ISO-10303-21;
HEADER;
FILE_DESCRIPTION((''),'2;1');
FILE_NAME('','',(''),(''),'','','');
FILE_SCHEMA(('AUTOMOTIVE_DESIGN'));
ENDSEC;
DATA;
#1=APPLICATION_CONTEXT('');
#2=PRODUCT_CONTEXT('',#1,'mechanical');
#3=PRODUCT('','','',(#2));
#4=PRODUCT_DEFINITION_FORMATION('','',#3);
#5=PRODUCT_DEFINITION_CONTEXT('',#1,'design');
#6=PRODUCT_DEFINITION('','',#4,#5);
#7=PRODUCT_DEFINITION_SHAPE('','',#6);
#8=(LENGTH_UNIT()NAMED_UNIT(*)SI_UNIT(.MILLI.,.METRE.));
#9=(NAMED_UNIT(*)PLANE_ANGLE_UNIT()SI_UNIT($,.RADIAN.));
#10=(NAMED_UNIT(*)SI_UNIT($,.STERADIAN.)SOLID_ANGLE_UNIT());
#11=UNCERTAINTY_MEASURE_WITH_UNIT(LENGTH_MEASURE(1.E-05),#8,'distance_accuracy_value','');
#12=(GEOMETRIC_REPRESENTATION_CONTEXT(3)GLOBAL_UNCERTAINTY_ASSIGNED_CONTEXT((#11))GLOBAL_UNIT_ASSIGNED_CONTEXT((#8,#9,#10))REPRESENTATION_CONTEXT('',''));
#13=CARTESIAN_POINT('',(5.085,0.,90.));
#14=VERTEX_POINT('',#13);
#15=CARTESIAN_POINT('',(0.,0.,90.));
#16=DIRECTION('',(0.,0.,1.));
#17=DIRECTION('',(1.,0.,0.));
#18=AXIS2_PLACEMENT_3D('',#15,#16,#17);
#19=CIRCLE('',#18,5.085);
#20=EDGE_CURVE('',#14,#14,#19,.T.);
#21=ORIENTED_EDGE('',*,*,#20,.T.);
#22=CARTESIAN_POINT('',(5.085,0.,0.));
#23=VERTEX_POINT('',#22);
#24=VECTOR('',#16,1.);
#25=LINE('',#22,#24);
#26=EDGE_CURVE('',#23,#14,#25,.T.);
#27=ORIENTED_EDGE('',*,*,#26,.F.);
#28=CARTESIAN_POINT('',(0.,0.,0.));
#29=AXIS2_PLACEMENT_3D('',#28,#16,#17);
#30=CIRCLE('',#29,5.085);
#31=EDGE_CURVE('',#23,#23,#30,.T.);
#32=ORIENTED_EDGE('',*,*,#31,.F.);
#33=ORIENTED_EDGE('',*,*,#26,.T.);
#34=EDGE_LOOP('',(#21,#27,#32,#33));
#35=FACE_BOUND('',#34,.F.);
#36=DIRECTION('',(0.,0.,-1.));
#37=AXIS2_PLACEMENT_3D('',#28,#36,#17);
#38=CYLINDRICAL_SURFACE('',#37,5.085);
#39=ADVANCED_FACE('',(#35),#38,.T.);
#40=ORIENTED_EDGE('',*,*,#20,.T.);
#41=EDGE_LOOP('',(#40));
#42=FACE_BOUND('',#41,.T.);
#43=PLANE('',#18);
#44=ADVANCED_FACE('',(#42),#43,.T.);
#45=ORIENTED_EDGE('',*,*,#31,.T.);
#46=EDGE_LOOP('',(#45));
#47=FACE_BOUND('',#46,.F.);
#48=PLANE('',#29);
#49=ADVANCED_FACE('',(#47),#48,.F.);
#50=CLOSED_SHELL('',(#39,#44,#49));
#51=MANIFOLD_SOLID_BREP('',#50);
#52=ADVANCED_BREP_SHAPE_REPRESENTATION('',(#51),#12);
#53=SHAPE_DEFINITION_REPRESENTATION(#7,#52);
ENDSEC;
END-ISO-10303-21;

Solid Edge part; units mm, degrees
sketch "Sketch1" plane through (0, 0, 0) normal (0, 0, 1) x (1, 0, 0)
  circle A0 centre (0, 0) radius 5.085
extrude "Protrusion1" add sketch "Sketch1" along normal blind 90
